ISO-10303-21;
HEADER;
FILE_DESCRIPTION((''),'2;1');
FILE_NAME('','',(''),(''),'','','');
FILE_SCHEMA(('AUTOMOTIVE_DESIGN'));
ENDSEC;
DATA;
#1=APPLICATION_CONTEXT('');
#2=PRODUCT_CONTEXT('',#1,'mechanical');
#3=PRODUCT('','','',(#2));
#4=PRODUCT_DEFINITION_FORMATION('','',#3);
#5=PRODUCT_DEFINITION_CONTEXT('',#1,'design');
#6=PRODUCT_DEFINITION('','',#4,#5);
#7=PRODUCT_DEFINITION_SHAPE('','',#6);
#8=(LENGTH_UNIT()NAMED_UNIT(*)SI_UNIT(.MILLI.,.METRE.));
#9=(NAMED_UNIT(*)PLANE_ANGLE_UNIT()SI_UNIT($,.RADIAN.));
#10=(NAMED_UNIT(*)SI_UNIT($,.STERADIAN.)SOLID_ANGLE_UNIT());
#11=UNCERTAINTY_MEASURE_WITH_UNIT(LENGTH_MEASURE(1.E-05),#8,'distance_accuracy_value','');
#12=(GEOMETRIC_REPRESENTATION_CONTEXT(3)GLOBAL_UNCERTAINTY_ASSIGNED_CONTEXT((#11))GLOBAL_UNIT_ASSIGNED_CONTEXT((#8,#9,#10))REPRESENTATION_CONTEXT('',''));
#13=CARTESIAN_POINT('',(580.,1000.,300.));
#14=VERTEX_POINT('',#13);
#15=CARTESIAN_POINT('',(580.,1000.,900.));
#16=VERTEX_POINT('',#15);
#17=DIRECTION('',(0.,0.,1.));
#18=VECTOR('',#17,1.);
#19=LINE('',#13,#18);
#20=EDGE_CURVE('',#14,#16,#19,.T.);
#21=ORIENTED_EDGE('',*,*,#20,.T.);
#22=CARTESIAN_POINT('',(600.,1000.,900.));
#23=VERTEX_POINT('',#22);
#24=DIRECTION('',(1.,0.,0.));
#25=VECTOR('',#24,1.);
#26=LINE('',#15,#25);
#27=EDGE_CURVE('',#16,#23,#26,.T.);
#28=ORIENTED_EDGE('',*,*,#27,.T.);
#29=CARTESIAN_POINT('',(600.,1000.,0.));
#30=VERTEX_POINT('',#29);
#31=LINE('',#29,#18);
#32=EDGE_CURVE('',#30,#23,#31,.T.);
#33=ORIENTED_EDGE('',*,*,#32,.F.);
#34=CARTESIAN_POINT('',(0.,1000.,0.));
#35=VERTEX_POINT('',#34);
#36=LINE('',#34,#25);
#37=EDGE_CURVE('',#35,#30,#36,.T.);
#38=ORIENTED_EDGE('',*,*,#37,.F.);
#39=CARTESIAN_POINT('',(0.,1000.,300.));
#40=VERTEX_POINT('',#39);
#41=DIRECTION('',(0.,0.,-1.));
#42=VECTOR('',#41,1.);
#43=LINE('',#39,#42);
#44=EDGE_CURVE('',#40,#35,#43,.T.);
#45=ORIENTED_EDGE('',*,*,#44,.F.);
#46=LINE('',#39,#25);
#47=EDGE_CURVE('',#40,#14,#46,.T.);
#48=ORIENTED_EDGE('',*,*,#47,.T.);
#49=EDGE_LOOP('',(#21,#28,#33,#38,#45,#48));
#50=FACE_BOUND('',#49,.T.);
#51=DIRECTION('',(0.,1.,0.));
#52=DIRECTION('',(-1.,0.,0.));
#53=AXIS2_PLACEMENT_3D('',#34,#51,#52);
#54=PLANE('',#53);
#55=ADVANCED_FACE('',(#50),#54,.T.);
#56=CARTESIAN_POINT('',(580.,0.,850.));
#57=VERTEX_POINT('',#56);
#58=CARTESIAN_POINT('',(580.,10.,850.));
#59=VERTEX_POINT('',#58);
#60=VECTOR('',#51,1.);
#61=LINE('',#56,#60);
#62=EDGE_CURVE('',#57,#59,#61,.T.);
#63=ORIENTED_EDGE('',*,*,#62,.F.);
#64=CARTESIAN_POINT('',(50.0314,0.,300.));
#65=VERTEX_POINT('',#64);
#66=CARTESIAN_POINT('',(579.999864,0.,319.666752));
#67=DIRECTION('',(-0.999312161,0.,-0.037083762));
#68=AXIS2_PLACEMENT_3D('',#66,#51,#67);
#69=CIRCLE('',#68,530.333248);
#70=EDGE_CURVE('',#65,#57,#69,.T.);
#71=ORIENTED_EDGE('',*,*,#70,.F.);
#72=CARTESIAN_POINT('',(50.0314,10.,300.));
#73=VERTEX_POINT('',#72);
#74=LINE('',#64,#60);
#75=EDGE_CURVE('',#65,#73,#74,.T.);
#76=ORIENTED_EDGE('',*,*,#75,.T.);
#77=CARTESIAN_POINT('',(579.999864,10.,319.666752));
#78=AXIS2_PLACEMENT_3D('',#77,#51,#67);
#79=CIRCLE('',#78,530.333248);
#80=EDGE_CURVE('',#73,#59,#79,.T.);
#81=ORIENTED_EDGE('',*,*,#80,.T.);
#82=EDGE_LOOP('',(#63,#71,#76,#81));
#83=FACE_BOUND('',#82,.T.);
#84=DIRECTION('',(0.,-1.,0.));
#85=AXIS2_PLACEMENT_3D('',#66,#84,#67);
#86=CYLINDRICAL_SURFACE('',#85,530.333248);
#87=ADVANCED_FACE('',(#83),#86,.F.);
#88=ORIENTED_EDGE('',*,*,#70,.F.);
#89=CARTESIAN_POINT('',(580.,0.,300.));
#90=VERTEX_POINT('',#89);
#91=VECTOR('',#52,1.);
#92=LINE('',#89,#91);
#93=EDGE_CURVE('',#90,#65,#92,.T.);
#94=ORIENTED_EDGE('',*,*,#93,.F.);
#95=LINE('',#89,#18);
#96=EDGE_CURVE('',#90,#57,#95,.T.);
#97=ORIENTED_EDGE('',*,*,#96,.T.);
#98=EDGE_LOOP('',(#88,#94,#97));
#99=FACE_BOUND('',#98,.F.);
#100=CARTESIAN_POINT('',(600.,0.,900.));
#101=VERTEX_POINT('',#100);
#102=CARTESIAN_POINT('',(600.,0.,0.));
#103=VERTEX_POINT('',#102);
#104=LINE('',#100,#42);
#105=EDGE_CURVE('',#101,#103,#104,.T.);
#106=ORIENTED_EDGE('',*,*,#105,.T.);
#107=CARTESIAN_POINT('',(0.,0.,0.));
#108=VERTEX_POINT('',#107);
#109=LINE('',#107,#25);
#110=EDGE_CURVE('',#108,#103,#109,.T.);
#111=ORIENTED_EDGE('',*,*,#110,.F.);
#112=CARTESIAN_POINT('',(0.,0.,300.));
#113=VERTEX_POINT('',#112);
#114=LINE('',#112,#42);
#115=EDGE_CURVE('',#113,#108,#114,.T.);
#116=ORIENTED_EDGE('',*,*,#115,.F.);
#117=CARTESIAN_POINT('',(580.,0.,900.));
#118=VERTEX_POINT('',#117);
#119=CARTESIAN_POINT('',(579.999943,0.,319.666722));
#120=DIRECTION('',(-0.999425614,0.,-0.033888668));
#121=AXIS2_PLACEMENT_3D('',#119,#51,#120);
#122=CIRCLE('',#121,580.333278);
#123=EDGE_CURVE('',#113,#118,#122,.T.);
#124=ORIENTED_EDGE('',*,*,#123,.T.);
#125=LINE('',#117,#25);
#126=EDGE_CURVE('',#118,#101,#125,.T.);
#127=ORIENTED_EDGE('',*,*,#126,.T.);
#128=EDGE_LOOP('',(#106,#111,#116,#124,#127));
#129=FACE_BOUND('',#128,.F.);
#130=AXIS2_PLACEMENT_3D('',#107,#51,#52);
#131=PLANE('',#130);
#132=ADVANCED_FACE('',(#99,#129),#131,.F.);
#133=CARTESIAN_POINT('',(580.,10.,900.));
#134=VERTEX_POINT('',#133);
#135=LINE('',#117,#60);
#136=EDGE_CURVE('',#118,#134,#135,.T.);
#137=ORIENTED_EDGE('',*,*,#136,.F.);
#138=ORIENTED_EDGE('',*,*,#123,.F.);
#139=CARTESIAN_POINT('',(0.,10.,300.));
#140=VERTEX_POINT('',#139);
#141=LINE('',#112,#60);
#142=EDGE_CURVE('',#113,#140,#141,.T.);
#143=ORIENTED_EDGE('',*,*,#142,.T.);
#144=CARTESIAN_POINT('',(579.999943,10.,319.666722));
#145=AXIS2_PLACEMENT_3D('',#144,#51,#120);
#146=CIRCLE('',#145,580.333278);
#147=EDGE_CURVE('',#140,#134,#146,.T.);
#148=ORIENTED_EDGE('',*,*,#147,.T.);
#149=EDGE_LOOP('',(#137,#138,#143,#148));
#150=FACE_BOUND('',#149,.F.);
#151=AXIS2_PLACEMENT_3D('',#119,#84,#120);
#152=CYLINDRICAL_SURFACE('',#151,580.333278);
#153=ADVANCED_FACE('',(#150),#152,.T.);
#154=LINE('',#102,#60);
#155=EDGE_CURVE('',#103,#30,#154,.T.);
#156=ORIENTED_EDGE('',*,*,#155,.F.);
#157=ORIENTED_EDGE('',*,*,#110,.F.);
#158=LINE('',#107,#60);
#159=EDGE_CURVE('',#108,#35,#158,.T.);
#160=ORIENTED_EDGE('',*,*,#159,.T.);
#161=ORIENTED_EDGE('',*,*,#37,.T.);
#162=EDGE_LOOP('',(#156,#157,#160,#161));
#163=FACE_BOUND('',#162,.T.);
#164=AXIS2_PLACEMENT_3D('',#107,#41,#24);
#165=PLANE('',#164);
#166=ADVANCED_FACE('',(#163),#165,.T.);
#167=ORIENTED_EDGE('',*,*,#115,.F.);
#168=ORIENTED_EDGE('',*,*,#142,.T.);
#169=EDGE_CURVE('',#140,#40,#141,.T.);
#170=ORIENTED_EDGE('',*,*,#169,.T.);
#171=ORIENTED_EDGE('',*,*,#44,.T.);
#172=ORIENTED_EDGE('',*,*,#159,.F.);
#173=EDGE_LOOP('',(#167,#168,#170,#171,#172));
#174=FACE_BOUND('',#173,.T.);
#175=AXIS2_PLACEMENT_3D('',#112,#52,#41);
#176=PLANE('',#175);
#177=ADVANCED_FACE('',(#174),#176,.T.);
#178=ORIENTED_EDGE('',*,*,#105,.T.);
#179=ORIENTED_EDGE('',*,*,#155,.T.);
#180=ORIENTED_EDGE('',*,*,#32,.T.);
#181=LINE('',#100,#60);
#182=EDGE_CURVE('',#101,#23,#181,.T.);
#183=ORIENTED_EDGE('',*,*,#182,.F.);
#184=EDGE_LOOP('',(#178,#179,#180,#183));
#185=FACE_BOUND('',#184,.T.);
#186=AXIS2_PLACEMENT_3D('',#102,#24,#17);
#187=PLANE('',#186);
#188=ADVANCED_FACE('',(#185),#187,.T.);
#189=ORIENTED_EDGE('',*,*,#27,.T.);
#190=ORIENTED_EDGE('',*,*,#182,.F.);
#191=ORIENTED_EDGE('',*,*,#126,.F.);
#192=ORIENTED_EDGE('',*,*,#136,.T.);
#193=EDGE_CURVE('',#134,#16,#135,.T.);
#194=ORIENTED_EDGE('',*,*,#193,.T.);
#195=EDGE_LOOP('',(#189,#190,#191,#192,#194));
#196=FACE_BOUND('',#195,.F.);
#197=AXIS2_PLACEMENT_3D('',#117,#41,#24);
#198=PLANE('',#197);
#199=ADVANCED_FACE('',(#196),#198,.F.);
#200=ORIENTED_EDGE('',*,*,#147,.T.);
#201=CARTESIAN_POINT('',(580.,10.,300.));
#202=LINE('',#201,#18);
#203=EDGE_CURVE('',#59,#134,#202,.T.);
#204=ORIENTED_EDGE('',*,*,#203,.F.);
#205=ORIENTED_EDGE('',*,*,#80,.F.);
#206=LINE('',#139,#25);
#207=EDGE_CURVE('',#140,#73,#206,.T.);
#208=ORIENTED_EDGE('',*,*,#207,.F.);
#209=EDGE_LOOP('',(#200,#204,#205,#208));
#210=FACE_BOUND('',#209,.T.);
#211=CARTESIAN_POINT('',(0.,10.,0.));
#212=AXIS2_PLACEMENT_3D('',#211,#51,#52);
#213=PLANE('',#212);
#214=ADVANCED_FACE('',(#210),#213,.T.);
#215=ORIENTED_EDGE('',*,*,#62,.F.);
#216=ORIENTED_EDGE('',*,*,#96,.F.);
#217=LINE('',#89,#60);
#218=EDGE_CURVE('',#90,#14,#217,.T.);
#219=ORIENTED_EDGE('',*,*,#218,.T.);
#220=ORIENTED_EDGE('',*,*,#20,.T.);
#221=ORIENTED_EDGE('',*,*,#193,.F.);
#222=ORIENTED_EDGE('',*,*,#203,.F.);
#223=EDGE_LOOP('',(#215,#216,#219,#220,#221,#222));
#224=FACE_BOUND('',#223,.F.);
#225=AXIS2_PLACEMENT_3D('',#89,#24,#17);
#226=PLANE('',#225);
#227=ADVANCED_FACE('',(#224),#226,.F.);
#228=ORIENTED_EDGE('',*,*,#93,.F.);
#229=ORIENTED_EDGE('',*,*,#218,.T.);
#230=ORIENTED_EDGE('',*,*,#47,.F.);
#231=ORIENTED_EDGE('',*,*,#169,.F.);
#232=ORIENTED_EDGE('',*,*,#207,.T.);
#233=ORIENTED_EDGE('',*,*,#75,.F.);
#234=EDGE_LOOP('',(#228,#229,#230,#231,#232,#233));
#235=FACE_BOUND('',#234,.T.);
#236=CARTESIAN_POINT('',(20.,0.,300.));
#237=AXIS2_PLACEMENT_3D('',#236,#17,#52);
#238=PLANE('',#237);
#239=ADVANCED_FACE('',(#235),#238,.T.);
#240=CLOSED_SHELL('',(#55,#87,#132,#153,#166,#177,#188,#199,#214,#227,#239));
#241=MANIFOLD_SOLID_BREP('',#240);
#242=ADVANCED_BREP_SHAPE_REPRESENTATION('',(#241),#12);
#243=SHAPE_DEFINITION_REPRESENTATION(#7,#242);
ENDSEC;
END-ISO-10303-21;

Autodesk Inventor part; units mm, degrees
ref_plane "YZ Plane" through (0, 0, 0) normal (1, 0, 0) x (0, 1, 0)
ref_plane "XZ Plane" through (0, 0, 0) normal (0, 1, 0) x (-1, 0, 0)
ref_plane "XY Plane" through (0, 0, 0) normal (0, 0, 1) x (1, 0, 0)
sketch "Sketch1" plane through (0, 0, 0) normal (0, 1, 0) x (-1, 0, 0)
  line L0 (0, 0) -> (-600, 0)
  line L1 (-600, 0) -> (-600, 300)
  line L2 (-600, 300) -> (0, 300)
  line L3 (0, 300) -> (0, 0)
  line L4 (0, 300) -> (-20, 300)
  line L5 (-600, 300) -> (-580, 300)
  line L6 (-580, 300) -> (-580, 900)
  line L7 (-580, 900) -> (-600, 900)
  line L8 (-600, 900) -> (-600, 300)
  dimension "d0" = 600
  dimension "d1" = 300
  dimension "d9" = 600
  dimension "d10" = 20
extrude "Extrusion1" add sketch "Sketch1" along normal blind 1000
sketch "Sketch3" plane through (0, 0, 0) normal (0, 1, 0) x (-1, 0, 0)
  line L0 (0, 300) -> (-580, 300) projected
  line L1 (-580, 300) -> (-580, 900) projected
  line L2 (-580, 900) -> (-600, 900) projected
  line L3 (-600, 900) -> (-600, 0) projected
  line L4 (-600, 0) -> (0, 0) projected
  line L5 (0, 0) -> (0, 300) projected
  arc A0 (0, 300) -> (-580, 900) centre (-580, 319.6667) ccw
  arc A1 (-50.0314, 300) -> (-580, 850) centre (-580, 319.6667) ccw
  dimension "d11" = 50
extrude "Extrusion3" add sketch "Sketch3" along normal blind 10 contours L0 A1 L1 A0
equation "\"d9\" = d0"
properties part number "Electrical box 2"
